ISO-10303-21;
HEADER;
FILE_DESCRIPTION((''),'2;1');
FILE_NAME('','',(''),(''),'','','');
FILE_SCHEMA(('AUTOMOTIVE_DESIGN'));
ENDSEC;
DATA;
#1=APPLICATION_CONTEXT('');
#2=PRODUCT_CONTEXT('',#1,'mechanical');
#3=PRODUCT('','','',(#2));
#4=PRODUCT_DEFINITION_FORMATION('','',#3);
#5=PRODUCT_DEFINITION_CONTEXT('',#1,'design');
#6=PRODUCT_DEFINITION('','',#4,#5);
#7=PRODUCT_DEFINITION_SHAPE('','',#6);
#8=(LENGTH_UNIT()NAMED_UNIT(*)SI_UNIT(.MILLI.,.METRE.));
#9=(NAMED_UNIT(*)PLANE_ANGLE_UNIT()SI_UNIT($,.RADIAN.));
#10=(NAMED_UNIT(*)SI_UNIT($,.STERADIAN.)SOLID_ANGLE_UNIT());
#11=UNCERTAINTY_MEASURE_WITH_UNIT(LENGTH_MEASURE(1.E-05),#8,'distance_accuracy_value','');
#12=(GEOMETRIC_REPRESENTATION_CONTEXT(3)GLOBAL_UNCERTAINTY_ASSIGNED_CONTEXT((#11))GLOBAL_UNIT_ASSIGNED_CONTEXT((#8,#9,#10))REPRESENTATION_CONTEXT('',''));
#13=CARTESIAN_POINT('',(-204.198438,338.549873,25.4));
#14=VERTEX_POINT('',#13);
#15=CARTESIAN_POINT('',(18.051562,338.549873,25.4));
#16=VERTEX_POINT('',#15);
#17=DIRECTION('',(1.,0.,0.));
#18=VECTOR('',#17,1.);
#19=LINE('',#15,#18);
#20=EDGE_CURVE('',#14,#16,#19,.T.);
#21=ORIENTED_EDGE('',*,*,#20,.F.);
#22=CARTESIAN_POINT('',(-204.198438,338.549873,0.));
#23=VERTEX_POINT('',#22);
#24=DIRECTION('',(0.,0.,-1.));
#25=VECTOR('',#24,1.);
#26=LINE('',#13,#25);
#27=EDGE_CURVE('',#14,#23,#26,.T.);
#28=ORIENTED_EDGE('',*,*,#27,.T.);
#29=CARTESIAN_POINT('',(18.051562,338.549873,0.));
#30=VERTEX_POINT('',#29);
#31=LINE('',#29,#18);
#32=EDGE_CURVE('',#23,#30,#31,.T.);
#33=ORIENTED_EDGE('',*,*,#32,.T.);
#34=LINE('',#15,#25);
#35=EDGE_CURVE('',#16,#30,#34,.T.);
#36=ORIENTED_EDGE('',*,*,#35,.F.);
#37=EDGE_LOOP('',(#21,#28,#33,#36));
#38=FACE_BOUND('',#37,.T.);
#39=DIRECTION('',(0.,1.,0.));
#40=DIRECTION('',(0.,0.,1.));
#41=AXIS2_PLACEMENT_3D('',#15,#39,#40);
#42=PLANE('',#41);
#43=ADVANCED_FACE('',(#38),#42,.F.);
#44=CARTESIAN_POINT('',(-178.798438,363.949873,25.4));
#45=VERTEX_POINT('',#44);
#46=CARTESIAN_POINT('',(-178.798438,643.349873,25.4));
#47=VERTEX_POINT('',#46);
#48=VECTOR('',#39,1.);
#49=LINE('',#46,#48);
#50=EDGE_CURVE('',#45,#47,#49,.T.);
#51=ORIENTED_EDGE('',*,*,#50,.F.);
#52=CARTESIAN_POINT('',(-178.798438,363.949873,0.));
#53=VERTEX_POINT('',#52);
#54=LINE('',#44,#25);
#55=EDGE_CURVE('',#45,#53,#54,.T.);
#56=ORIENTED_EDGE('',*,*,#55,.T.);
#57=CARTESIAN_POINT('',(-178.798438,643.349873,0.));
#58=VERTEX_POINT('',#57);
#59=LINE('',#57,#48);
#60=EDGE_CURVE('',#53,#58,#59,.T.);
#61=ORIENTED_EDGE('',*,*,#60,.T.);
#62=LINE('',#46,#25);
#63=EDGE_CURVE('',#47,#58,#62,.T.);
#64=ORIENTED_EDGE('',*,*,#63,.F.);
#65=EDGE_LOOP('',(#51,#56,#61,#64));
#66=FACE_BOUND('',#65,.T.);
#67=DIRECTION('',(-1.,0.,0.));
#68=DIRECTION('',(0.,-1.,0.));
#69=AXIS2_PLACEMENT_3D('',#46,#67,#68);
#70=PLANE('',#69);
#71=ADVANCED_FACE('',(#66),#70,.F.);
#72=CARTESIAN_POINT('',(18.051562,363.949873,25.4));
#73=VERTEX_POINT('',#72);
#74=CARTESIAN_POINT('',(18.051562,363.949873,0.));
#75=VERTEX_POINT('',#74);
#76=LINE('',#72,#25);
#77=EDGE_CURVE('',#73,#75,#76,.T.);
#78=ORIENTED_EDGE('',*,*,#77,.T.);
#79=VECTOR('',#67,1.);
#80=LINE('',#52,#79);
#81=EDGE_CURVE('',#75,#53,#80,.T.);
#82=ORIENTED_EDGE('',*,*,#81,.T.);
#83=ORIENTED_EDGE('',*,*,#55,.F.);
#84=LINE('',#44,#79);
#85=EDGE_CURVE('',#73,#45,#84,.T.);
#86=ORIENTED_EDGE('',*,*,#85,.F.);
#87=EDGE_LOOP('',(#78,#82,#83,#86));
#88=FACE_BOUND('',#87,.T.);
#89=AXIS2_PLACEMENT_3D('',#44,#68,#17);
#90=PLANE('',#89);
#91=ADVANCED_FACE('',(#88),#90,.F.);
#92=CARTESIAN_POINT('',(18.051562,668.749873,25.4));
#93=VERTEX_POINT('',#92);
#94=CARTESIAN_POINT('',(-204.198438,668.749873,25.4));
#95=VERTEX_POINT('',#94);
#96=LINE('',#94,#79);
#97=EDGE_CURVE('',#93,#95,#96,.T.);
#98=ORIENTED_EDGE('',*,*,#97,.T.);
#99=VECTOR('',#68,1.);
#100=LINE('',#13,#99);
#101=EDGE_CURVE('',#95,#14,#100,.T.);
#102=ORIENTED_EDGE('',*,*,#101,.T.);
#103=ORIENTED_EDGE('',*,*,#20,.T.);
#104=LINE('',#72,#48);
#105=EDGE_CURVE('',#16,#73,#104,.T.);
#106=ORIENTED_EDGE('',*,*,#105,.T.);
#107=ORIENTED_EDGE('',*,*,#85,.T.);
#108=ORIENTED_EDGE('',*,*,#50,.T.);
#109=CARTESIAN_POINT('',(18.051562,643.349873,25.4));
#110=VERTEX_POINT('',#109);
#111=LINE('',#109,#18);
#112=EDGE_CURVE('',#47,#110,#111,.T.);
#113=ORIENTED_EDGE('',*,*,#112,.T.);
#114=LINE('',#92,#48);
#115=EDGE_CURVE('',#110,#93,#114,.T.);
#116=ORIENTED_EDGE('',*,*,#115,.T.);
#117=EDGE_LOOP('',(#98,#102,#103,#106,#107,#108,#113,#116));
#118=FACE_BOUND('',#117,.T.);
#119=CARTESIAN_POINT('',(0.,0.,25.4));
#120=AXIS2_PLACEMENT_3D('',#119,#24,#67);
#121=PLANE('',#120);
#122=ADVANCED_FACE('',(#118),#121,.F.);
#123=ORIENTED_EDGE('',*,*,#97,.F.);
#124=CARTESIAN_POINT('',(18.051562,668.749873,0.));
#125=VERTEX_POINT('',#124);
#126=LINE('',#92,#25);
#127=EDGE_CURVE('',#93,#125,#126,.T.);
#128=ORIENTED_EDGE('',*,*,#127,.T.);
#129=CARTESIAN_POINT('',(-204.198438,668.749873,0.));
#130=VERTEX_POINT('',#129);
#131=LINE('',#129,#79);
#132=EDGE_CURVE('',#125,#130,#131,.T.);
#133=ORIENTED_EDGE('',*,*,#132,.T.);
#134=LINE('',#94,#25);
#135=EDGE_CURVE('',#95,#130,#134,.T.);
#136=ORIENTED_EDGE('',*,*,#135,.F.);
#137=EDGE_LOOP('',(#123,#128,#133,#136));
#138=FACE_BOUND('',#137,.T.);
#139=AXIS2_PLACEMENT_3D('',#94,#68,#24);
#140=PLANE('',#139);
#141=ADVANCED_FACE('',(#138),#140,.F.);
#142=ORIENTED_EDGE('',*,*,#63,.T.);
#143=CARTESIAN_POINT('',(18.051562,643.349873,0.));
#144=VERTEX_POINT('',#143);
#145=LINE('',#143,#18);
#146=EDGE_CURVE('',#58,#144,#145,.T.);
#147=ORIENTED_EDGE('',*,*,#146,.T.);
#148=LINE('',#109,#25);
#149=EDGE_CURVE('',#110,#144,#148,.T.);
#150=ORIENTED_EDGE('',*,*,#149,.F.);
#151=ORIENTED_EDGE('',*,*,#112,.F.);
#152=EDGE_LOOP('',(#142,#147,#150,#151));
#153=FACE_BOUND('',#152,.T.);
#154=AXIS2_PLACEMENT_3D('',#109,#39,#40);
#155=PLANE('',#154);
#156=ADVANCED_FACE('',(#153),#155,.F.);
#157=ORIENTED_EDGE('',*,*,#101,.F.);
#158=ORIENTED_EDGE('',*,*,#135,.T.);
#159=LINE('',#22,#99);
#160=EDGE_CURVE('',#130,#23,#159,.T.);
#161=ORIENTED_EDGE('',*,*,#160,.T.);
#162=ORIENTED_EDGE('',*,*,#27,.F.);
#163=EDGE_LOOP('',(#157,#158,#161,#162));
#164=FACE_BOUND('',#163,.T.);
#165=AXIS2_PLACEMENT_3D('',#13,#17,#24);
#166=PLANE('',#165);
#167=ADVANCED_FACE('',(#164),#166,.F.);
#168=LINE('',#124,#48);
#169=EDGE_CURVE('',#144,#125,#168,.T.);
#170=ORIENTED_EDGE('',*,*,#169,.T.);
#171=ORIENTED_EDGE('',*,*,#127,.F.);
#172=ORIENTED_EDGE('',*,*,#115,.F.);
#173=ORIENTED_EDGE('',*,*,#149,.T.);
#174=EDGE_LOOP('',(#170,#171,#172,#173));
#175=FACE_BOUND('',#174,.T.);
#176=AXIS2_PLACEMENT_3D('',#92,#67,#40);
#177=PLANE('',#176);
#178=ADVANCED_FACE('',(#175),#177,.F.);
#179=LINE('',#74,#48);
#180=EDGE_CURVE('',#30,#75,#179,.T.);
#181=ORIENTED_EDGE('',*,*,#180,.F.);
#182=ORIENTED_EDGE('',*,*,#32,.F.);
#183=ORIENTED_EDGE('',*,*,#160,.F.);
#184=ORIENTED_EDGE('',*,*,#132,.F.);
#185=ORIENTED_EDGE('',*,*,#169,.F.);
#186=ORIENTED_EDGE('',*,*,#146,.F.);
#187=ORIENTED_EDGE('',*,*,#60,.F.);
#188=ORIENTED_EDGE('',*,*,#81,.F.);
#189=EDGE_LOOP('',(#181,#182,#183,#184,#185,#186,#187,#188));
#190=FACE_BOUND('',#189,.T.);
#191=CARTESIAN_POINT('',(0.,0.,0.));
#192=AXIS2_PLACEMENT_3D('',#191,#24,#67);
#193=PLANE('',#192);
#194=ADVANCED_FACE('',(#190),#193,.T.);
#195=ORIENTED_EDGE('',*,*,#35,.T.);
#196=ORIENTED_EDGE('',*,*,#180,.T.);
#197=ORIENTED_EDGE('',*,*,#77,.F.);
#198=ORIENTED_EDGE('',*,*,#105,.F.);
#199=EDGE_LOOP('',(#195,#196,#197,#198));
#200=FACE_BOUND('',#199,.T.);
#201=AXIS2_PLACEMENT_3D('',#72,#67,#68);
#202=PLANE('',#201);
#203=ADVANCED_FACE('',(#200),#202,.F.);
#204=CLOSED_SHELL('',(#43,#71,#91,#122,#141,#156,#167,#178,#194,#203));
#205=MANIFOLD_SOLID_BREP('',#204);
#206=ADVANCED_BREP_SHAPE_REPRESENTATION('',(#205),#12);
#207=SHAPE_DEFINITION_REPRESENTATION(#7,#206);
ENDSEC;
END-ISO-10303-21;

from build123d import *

# Parameters (mm, degrees)
BOSS_EXTRUDE1_DEPTH = 25.4


with BuildPart() as part:
    # Sketch2 → Boss-Extrude1 (new body)
    with BuildSketch(Plane.XY):
        Polygon((18.05156201, 338.549873221), (-204.19843799, 338.549873221), (-204.19843799, 668.749873221), (18.05156201, 668.749873221), (18.05156201, 643.349873221), (-178.79843799, 643.349873221), (-178.79843799, 363.949873221), (18.05156201, 363.949873221), align=None)
    extrude(amount=BOSS_EXTRUDE1_DEPTH)


solid = part.part
